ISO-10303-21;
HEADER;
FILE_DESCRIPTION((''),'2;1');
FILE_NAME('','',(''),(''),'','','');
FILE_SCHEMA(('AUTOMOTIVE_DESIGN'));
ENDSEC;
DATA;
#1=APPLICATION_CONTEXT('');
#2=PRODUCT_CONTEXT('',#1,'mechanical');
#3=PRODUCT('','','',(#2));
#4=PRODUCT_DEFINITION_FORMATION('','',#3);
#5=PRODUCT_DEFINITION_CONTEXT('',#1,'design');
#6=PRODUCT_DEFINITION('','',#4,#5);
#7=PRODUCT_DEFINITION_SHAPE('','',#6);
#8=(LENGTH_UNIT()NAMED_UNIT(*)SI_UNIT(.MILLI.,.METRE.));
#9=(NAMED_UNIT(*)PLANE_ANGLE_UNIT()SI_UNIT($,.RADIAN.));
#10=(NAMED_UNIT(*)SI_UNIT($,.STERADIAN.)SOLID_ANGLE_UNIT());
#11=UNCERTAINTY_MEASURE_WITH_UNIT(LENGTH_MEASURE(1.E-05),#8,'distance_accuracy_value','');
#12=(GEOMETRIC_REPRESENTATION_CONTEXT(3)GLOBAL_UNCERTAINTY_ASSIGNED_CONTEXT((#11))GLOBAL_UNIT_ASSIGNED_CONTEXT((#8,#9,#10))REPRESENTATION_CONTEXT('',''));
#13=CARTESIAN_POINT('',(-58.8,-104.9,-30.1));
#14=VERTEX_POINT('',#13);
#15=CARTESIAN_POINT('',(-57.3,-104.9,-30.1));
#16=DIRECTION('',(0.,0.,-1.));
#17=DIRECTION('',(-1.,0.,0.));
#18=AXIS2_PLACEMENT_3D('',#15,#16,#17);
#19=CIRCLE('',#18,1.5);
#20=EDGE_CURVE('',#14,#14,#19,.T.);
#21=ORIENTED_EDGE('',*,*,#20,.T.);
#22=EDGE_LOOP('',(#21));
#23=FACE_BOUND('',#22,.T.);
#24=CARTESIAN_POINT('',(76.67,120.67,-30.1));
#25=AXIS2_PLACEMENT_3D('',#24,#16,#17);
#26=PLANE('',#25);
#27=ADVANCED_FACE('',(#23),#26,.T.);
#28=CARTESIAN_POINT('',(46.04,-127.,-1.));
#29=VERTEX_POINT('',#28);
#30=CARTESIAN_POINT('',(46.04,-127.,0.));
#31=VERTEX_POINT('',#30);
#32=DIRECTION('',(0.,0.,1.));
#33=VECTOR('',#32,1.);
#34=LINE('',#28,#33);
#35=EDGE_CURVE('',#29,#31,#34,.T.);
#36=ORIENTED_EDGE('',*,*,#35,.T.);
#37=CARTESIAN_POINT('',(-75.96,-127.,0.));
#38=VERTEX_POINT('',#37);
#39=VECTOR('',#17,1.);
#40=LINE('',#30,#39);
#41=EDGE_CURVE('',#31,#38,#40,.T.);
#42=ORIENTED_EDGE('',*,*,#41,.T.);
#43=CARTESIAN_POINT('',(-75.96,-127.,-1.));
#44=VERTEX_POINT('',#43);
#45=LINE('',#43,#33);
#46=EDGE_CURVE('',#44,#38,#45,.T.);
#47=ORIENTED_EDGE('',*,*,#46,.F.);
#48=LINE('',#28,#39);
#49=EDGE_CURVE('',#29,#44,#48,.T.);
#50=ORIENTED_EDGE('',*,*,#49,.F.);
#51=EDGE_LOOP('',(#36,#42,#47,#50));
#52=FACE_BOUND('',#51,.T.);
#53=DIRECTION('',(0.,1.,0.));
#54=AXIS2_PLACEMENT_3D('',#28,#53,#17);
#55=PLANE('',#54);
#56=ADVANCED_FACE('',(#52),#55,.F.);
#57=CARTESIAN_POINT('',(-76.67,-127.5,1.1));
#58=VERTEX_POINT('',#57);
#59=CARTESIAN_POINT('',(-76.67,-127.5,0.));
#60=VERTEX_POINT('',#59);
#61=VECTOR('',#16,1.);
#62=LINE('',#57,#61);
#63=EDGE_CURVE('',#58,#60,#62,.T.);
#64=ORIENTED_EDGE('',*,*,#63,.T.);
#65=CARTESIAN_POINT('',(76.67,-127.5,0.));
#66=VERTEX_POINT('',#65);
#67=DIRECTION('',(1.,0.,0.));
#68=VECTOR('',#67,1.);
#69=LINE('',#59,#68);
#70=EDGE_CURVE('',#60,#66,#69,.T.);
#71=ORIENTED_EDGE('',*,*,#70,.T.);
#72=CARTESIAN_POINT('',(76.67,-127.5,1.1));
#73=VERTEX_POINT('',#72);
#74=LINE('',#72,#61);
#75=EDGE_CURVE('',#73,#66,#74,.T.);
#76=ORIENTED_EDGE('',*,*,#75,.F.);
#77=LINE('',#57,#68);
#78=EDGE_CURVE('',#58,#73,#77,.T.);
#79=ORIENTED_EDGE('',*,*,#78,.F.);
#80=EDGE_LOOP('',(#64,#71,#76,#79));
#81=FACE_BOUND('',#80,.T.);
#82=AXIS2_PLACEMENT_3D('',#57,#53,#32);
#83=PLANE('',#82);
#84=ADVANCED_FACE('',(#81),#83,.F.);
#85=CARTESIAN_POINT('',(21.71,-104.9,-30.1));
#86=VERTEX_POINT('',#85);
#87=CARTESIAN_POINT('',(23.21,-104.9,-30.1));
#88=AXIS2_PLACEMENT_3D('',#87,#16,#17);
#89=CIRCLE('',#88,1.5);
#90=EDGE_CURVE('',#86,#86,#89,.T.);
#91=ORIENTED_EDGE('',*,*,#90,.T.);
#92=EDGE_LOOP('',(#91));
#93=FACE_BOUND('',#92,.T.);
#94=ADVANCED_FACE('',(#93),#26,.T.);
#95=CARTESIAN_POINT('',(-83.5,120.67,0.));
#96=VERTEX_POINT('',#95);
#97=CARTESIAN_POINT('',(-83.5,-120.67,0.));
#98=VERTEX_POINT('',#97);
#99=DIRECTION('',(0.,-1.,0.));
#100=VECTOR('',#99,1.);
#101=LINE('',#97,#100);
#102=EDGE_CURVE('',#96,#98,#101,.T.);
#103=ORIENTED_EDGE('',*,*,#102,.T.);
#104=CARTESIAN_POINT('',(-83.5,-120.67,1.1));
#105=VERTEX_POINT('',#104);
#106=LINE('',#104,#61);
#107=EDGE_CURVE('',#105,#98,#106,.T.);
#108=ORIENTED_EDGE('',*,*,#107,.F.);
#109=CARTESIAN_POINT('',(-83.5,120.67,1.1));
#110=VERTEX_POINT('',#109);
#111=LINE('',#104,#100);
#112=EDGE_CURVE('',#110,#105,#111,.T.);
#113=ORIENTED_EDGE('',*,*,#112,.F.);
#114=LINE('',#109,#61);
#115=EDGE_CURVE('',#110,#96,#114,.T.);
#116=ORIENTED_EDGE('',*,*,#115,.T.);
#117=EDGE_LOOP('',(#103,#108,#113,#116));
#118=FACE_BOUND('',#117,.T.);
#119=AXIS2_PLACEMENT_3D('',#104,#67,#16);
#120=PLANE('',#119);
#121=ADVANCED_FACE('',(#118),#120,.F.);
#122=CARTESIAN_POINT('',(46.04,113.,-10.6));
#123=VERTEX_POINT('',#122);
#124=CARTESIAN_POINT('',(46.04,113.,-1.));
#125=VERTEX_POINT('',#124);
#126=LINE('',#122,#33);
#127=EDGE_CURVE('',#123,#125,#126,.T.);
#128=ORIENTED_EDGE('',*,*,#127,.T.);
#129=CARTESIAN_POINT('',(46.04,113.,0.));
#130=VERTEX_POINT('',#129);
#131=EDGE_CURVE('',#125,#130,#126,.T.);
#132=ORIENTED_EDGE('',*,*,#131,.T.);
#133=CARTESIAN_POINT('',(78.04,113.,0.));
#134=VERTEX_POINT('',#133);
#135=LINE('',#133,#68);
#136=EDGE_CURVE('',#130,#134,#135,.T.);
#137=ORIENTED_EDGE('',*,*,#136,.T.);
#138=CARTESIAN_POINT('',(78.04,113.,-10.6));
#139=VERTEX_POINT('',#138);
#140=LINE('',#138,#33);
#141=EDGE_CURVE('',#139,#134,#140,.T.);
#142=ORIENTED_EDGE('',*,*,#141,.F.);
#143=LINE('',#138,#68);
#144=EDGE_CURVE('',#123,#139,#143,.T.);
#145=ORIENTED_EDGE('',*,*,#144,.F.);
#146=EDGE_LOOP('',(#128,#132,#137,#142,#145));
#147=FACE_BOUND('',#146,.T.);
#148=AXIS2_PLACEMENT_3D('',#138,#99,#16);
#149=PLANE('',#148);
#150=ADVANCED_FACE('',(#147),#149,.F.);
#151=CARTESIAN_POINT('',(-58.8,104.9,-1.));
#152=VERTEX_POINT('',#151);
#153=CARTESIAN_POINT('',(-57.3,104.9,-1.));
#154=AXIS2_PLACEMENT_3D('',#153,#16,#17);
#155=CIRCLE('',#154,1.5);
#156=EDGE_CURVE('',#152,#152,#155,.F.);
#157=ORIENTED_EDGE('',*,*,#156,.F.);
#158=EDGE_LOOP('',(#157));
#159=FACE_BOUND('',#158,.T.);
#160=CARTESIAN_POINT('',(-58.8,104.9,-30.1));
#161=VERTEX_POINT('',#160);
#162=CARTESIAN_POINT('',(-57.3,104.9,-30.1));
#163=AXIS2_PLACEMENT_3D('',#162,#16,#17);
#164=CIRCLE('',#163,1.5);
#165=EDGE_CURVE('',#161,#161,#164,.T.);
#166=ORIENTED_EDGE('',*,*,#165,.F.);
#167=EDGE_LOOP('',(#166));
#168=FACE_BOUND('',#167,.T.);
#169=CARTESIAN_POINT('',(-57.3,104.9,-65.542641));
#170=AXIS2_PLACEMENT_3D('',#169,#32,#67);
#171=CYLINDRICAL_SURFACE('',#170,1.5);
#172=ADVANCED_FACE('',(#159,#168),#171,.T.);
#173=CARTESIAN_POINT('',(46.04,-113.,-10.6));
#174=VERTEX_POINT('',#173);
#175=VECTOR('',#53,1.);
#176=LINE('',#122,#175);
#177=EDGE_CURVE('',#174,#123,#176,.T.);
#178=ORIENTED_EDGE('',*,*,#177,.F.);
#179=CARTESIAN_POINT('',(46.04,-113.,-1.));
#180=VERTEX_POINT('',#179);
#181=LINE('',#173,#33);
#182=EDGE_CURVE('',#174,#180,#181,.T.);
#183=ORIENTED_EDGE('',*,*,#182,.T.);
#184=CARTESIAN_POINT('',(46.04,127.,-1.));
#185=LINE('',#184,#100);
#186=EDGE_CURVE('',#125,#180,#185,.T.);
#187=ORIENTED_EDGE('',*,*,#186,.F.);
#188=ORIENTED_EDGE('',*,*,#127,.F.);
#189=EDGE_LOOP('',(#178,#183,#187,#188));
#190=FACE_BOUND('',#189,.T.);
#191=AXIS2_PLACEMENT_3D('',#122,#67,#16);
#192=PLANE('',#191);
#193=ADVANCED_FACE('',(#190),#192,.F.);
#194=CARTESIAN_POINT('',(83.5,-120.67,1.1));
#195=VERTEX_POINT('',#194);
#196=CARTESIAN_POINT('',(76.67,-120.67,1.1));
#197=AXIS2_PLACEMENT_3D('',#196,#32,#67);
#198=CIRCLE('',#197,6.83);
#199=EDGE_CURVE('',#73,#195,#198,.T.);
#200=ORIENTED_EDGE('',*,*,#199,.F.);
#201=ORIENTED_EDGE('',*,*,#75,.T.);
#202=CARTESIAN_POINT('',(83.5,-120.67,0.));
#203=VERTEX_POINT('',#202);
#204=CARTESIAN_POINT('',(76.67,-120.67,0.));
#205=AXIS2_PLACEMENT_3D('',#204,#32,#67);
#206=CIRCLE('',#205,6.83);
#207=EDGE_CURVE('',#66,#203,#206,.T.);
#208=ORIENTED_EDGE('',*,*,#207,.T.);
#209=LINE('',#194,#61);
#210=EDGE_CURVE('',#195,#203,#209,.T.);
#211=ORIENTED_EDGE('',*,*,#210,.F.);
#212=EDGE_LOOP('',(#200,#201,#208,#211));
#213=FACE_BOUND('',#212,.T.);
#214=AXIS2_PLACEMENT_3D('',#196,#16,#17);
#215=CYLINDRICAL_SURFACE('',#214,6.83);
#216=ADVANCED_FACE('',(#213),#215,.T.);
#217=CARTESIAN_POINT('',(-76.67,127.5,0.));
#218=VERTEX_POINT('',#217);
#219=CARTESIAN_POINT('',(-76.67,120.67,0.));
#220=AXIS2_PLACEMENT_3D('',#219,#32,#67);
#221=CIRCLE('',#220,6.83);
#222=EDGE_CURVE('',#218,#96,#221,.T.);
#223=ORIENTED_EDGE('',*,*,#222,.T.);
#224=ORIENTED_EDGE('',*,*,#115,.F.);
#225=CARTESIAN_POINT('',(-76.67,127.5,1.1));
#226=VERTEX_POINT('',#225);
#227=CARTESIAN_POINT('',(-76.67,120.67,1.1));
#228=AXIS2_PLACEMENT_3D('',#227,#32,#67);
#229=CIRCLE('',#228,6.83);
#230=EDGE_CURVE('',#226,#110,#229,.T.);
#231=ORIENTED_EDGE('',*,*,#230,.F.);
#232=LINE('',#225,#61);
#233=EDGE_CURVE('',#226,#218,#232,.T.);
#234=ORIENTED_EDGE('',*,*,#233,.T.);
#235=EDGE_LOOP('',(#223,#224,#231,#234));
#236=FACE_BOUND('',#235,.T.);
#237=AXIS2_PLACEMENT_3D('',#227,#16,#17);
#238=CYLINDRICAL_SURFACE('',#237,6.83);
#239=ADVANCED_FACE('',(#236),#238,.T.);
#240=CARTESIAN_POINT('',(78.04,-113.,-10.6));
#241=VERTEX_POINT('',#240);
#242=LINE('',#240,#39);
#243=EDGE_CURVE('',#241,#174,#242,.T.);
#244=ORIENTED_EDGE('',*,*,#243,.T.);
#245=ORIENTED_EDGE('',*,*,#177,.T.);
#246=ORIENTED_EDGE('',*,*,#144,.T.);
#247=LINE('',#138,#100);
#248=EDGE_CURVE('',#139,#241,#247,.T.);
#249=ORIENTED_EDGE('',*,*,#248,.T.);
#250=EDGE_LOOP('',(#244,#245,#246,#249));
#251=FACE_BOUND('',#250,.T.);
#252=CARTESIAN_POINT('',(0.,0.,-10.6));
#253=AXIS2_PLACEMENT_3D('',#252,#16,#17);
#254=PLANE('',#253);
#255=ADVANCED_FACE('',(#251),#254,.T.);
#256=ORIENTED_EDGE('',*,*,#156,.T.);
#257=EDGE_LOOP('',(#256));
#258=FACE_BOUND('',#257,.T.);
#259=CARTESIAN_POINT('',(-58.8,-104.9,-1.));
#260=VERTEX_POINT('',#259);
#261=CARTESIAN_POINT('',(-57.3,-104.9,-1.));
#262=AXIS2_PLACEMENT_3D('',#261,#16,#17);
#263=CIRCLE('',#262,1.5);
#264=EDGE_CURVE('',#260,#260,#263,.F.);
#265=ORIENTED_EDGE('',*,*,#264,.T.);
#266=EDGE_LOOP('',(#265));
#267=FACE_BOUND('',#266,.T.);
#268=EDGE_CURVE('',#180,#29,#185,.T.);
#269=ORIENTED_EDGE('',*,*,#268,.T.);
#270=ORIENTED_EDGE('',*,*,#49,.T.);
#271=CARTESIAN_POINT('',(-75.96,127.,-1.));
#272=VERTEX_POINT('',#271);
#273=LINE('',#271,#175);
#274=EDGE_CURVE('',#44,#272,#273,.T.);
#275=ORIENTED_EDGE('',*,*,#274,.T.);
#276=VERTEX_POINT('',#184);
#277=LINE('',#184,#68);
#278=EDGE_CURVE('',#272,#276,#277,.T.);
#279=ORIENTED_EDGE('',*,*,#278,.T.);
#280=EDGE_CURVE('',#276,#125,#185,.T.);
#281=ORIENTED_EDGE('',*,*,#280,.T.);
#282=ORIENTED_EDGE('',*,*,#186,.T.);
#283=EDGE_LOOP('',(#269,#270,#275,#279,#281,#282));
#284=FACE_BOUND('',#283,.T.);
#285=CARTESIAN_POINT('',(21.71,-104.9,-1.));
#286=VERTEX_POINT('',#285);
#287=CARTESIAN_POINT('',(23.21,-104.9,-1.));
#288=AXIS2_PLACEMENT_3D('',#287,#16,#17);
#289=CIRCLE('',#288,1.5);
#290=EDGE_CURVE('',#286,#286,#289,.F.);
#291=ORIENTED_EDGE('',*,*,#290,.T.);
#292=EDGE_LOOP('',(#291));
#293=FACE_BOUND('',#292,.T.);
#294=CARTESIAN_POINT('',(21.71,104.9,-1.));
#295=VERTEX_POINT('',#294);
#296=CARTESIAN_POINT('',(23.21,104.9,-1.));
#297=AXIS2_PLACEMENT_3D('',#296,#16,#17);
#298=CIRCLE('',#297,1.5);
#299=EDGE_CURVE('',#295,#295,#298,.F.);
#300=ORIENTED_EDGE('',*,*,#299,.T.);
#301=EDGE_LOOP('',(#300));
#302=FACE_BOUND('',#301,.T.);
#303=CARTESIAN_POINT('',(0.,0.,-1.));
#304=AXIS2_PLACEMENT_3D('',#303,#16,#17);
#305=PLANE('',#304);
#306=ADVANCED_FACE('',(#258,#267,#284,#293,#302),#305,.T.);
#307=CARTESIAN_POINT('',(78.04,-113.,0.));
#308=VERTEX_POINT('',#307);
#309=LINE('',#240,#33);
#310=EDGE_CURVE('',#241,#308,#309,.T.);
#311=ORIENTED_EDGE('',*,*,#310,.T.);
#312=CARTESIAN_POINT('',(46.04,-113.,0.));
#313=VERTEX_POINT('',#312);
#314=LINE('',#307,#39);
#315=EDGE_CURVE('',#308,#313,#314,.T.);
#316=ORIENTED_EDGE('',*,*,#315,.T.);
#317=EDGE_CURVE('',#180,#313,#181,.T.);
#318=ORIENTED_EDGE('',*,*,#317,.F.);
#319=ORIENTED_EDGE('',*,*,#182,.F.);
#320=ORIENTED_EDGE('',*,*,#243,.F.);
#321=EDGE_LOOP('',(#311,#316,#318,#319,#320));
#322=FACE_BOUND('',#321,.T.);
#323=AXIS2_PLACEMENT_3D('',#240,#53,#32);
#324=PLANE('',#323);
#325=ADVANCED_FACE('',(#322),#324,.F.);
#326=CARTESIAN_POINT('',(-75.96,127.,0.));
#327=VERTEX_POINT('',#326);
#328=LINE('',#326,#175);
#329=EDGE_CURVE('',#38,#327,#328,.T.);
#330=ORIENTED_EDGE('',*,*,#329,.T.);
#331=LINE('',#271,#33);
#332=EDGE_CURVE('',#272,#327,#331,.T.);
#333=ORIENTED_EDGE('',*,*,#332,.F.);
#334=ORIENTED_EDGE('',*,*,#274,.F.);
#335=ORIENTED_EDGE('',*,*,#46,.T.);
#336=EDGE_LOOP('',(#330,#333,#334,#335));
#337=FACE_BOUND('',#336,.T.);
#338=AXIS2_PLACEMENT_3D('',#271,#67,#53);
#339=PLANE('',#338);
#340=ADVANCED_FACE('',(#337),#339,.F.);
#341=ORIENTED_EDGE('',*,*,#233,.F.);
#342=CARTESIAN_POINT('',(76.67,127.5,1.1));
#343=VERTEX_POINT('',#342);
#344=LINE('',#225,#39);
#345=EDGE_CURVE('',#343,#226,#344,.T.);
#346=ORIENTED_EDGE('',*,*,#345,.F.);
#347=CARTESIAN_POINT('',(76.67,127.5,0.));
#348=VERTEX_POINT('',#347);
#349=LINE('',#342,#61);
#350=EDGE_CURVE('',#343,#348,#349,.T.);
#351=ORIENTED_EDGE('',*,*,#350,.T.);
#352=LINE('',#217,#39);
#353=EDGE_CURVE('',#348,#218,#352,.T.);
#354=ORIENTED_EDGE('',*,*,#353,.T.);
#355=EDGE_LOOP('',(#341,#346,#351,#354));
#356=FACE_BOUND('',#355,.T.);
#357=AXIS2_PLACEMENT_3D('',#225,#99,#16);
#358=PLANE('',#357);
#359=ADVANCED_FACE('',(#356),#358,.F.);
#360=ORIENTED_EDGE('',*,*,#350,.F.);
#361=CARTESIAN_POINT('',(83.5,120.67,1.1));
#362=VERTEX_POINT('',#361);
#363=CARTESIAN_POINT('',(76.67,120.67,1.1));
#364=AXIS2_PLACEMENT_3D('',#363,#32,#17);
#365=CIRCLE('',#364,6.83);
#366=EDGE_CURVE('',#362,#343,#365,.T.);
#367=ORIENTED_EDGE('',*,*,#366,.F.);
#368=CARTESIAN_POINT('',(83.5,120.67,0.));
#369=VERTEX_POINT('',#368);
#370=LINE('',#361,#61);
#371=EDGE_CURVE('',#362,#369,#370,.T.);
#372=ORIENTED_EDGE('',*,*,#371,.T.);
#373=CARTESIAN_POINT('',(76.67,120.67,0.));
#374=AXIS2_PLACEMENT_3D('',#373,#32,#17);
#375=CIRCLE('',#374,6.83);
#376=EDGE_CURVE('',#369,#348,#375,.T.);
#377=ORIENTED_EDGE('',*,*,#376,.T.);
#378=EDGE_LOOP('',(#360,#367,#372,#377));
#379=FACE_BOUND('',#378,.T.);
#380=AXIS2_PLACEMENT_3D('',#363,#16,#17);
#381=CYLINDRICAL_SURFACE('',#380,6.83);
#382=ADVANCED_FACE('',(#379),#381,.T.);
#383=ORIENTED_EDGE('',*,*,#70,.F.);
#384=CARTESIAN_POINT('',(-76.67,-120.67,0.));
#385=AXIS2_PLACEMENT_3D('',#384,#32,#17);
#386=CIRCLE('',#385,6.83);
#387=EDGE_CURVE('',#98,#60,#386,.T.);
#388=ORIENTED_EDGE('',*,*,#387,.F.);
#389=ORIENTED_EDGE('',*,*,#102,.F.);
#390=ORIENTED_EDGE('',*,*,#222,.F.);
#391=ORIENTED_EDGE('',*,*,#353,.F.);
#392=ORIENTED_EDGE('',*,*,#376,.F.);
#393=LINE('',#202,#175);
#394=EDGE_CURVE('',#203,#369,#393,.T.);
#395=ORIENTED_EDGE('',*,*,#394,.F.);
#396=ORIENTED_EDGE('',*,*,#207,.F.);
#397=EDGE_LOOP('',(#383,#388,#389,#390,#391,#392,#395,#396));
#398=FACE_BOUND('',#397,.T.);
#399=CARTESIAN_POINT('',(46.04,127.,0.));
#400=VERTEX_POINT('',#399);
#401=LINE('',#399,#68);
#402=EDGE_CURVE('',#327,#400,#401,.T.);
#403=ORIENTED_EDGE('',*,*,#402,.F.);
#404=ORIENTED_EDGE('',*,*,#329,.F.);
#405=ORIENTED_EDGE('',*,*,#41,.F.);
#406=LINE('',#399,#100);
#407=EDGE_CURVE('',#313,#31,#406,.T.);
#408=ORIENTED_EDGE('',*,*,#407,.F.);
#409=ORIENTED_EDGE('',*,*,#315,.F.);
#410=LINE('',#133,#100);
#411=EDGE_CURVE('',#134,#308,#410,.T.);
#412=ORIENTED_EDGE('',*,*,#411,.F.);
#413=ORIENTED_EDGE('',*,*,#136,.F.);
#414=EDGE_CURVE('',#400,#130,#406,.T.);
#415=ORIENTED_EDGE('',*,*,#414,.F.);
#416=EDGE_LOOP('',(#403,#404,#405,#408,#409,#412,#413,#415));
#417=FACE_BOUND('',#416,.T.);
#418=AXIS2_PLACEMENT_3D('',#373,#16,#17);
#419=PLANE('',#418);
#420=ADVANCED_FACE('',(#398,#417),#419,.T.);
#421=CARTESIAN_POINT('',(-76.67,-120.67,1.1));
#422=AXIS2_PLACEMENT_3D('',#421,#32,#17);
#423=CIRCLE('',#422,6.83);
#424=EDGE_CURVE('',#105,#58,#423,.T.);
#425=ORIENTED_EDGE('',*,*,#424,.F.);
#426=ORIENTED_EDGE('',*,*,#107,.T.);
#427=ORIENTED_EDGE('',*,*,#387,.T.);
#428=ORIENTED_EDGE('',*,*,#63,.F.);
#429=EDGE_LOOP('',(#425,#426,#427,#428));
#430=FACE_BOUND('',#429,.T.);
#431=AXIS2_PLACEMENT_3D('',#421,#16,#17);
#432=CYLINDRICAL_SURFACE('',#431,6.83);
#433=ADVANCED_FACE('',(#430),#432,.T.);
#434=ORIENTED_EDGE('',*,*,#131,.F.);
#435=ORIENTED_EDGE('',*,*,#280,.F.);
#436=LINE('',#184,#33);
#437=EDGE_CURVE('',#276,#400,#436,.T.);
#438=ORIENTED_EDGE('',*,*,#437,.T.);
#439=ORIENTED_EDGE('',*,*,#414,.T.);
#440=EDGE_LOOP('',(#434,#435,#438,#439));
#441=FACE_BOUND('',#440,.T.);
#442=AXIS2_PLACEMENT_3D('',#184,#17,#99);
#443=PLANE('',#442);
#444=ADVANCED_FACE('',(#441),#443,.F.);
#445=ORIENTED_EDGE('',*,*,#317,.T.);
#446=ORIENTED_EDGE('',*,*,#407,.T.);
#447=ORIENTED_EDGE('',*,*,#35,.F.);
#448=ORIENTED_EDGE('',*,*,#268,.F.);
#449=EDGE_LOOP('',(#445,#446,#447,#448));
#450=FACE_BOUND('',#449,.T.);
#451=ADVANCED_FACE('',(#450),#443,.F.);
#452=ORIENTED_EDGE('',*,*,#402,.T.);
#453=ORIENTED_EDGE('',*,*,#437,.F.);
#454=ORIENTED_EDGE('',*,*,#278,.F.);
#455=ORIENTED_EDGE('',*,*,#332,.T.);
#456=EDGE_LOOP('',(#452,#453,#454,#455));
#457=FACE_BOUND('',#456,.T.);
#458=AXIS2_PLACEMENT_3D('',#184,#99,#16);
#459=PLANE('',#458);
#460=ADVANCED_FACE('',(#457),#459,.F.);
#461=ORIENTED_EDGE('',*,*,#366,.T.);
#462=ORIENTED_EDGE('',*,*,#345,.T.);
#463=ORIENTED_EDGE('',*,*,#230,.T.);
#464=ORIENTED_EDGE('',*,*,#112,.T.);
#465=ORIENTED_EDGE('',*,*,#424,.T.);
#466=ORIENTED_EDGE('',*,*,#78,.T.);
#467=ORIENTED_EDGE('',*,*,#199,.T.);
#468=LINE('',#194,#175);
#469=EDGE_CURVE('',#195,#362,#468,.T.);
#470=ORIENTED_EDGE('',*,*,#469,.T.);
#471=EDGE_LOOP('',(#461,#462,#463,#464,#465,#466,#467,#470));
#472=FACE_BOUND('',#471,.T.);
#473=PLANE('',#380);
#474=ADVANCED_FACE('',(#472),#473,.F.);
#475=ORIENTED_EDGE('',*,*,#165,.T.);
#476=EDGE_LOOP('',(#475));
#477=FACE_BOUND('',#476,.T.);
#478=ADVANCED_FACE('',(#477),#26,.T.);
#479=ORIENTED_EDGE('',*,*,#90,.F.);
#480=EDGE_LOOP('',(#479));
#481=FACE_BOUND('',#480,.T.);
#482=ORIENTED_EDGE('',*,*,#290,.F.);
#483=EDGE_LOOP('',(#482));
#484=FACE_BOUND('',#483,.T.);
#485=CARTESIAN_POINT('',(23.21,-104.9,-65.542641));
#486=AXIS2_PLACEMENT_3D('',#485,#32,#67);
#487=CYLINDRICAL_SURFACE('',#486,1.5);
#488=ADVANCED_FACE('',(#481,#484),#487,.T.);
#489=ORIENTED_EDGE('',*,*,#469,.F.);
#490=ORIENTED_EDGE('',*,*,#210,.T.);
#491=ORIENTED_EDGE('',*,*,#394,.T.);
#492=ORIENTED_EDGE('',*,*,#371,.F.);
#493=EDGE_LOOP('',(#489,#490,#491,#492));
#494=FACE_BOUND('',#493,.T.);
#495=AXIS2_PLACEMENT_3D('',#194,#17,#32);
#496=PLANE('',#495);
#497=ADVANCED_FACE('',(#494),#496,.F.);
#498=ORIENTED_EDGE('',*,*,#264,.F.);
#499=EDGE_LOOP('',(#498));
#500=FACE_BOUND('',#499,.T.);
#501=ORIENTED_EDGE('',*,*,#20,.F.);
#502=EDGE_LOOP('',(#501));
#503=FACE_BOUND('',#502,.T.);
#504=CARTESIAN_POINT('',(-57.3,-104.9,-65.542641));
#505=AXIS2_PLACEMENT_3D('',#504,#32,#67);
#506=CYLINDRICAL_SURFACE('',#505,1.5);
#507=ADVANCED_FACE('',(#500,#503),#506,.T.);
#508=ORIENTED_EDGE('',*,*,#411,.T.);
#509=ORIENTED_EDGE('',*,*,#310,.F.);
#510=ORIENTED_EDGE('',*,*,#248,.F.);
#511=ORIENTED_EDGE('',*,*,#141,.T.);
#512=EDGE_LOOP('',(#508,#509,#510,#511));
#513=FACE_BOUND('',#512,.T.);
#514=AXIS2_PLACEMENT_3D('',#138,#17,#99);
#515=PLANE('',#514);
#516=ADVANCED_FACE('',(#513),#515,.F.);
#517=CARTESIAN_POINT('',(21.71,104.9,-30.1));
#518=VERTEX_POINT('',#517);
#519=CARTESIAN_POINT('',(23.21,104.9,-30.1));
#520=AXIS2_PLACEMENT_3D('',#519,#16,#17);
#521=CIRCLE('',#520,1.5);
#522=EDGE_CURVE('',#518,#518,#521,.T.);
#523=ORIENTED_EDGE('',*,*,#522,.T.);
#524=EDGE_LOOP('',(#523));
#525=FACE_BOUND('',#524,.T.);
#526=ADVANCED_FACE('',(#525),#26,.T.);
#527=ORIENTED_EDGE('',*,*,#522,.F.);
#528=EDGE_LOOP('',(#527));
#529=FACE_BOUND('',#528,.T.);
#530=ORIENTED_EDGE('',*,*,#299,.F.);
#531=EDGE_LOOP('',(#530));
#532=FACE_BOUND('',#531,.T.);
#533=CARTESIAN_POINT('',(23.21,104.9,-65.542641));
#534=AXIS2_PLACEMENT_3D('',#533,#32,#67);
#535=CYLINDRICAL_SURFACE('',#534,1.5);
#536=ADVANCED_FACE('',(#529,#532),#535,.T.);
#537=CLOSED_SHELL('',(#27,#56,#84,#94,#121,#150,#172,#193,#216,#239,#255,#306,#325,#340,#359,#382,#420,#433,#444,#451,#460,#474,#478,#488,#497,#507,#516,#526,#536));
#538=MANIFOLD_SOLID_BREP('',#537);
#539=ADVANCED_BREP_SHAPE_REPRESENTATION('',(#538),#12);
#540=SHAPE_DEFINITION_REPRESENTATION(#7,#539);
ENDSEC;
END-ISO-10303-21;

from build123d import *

# Parameters (mm, degrees)
BOSS_EXTRUDE1_DEPTH = 1.1
SKETCH3_W           = 122
SKETCH3_H           = 254
BOSS_EXTRUDE2_DEPTH = 1
SKETCH4_W           = 32
SKETCH4_H           = 226
BOSS_EXTRUDE3_DEPTH = 10.6
SKETCH5_R           = 1.5
BOSS_EXTRUDE4_DEPTH = 30.1


with BuildPart() as part:
    # Sketch2 → Boss-Extrude1 (new body)
    with BuildSketch(Plane.XY):
        with BuildLine():
            Line((-76.67, -127.5), (76.67, -127.5))
            ThreePointArc((76.67, -127.5), (81.499539316, -125.499539316), (83.5, -120.67))
            Line((83.5, -120.67), (83.5, 120.67))
            ThreePointArc((83.5, 120.67), (81.499539316, 125.499539316), (76.67, 127.5))
            Line((76.67, 127.5), (-76.67, 127.5))
            ThreePointArc((-76.67, 127.5), (-81.499539316, 125.499539316), (-83.5, 120.67))
            Line((-83.5, 120.67), (-83.5, -120.67))
            ThreePointArc((-83.5, -120.67), (-81.499539316, -125.499539316), (-76.67, -127.5))
        make_face()
    extrude(amount=BOSS_EXTRUDE1_DEPTH)

    # Sketch3 → Boss-Extrude2 (add)
    with BuildSketch(Plane(origin=(0, 0, 0), x_dir=(-1, 0, 0), z_dir=(0, 0, -1))):
        with Locations((14.96, 0)):
            Rectangle(SKETCH3_W, SKETCH3_H)
    extrude(amount=BOSS_EXTRUDE2_DEPTH)

    # Sketch4 → Boss-Extrude3 (add)
    with BuildSketch(Plane(origin=(0, 0, 0), x_dir=(-1, 0, 0), z_dir=(0, 0, -1))):
        with Locations((-62.04, 0)):
            Rectangle(SKETCH4_W, SKETCH4_H)
    extrude(amount=BOSS_EXTRUDE3_DEPTH)

    # Sketch5 → Boss-Extrude4 (add)
    with BuildSketch(Plane(origin=(0, 0, 0), x_dir=(-1, 0, 0), z_dir=(0, 0, -1))):
        with Locations((-23.21, -104.9)):
            Circle(SKETCH5_R)
        with Locations((57.3, -104.9)):
            Circle(SKETCH5_R)
        with Locations((57.3, 104.9)):
            Circle(SKETCH5_R)
        with Locations((-23.21, 104.9)):
            Circle(SKETCH5_R)
    extrude(amount=BOSS_EXTRUDE4_DEPTH)


solid = part.part
